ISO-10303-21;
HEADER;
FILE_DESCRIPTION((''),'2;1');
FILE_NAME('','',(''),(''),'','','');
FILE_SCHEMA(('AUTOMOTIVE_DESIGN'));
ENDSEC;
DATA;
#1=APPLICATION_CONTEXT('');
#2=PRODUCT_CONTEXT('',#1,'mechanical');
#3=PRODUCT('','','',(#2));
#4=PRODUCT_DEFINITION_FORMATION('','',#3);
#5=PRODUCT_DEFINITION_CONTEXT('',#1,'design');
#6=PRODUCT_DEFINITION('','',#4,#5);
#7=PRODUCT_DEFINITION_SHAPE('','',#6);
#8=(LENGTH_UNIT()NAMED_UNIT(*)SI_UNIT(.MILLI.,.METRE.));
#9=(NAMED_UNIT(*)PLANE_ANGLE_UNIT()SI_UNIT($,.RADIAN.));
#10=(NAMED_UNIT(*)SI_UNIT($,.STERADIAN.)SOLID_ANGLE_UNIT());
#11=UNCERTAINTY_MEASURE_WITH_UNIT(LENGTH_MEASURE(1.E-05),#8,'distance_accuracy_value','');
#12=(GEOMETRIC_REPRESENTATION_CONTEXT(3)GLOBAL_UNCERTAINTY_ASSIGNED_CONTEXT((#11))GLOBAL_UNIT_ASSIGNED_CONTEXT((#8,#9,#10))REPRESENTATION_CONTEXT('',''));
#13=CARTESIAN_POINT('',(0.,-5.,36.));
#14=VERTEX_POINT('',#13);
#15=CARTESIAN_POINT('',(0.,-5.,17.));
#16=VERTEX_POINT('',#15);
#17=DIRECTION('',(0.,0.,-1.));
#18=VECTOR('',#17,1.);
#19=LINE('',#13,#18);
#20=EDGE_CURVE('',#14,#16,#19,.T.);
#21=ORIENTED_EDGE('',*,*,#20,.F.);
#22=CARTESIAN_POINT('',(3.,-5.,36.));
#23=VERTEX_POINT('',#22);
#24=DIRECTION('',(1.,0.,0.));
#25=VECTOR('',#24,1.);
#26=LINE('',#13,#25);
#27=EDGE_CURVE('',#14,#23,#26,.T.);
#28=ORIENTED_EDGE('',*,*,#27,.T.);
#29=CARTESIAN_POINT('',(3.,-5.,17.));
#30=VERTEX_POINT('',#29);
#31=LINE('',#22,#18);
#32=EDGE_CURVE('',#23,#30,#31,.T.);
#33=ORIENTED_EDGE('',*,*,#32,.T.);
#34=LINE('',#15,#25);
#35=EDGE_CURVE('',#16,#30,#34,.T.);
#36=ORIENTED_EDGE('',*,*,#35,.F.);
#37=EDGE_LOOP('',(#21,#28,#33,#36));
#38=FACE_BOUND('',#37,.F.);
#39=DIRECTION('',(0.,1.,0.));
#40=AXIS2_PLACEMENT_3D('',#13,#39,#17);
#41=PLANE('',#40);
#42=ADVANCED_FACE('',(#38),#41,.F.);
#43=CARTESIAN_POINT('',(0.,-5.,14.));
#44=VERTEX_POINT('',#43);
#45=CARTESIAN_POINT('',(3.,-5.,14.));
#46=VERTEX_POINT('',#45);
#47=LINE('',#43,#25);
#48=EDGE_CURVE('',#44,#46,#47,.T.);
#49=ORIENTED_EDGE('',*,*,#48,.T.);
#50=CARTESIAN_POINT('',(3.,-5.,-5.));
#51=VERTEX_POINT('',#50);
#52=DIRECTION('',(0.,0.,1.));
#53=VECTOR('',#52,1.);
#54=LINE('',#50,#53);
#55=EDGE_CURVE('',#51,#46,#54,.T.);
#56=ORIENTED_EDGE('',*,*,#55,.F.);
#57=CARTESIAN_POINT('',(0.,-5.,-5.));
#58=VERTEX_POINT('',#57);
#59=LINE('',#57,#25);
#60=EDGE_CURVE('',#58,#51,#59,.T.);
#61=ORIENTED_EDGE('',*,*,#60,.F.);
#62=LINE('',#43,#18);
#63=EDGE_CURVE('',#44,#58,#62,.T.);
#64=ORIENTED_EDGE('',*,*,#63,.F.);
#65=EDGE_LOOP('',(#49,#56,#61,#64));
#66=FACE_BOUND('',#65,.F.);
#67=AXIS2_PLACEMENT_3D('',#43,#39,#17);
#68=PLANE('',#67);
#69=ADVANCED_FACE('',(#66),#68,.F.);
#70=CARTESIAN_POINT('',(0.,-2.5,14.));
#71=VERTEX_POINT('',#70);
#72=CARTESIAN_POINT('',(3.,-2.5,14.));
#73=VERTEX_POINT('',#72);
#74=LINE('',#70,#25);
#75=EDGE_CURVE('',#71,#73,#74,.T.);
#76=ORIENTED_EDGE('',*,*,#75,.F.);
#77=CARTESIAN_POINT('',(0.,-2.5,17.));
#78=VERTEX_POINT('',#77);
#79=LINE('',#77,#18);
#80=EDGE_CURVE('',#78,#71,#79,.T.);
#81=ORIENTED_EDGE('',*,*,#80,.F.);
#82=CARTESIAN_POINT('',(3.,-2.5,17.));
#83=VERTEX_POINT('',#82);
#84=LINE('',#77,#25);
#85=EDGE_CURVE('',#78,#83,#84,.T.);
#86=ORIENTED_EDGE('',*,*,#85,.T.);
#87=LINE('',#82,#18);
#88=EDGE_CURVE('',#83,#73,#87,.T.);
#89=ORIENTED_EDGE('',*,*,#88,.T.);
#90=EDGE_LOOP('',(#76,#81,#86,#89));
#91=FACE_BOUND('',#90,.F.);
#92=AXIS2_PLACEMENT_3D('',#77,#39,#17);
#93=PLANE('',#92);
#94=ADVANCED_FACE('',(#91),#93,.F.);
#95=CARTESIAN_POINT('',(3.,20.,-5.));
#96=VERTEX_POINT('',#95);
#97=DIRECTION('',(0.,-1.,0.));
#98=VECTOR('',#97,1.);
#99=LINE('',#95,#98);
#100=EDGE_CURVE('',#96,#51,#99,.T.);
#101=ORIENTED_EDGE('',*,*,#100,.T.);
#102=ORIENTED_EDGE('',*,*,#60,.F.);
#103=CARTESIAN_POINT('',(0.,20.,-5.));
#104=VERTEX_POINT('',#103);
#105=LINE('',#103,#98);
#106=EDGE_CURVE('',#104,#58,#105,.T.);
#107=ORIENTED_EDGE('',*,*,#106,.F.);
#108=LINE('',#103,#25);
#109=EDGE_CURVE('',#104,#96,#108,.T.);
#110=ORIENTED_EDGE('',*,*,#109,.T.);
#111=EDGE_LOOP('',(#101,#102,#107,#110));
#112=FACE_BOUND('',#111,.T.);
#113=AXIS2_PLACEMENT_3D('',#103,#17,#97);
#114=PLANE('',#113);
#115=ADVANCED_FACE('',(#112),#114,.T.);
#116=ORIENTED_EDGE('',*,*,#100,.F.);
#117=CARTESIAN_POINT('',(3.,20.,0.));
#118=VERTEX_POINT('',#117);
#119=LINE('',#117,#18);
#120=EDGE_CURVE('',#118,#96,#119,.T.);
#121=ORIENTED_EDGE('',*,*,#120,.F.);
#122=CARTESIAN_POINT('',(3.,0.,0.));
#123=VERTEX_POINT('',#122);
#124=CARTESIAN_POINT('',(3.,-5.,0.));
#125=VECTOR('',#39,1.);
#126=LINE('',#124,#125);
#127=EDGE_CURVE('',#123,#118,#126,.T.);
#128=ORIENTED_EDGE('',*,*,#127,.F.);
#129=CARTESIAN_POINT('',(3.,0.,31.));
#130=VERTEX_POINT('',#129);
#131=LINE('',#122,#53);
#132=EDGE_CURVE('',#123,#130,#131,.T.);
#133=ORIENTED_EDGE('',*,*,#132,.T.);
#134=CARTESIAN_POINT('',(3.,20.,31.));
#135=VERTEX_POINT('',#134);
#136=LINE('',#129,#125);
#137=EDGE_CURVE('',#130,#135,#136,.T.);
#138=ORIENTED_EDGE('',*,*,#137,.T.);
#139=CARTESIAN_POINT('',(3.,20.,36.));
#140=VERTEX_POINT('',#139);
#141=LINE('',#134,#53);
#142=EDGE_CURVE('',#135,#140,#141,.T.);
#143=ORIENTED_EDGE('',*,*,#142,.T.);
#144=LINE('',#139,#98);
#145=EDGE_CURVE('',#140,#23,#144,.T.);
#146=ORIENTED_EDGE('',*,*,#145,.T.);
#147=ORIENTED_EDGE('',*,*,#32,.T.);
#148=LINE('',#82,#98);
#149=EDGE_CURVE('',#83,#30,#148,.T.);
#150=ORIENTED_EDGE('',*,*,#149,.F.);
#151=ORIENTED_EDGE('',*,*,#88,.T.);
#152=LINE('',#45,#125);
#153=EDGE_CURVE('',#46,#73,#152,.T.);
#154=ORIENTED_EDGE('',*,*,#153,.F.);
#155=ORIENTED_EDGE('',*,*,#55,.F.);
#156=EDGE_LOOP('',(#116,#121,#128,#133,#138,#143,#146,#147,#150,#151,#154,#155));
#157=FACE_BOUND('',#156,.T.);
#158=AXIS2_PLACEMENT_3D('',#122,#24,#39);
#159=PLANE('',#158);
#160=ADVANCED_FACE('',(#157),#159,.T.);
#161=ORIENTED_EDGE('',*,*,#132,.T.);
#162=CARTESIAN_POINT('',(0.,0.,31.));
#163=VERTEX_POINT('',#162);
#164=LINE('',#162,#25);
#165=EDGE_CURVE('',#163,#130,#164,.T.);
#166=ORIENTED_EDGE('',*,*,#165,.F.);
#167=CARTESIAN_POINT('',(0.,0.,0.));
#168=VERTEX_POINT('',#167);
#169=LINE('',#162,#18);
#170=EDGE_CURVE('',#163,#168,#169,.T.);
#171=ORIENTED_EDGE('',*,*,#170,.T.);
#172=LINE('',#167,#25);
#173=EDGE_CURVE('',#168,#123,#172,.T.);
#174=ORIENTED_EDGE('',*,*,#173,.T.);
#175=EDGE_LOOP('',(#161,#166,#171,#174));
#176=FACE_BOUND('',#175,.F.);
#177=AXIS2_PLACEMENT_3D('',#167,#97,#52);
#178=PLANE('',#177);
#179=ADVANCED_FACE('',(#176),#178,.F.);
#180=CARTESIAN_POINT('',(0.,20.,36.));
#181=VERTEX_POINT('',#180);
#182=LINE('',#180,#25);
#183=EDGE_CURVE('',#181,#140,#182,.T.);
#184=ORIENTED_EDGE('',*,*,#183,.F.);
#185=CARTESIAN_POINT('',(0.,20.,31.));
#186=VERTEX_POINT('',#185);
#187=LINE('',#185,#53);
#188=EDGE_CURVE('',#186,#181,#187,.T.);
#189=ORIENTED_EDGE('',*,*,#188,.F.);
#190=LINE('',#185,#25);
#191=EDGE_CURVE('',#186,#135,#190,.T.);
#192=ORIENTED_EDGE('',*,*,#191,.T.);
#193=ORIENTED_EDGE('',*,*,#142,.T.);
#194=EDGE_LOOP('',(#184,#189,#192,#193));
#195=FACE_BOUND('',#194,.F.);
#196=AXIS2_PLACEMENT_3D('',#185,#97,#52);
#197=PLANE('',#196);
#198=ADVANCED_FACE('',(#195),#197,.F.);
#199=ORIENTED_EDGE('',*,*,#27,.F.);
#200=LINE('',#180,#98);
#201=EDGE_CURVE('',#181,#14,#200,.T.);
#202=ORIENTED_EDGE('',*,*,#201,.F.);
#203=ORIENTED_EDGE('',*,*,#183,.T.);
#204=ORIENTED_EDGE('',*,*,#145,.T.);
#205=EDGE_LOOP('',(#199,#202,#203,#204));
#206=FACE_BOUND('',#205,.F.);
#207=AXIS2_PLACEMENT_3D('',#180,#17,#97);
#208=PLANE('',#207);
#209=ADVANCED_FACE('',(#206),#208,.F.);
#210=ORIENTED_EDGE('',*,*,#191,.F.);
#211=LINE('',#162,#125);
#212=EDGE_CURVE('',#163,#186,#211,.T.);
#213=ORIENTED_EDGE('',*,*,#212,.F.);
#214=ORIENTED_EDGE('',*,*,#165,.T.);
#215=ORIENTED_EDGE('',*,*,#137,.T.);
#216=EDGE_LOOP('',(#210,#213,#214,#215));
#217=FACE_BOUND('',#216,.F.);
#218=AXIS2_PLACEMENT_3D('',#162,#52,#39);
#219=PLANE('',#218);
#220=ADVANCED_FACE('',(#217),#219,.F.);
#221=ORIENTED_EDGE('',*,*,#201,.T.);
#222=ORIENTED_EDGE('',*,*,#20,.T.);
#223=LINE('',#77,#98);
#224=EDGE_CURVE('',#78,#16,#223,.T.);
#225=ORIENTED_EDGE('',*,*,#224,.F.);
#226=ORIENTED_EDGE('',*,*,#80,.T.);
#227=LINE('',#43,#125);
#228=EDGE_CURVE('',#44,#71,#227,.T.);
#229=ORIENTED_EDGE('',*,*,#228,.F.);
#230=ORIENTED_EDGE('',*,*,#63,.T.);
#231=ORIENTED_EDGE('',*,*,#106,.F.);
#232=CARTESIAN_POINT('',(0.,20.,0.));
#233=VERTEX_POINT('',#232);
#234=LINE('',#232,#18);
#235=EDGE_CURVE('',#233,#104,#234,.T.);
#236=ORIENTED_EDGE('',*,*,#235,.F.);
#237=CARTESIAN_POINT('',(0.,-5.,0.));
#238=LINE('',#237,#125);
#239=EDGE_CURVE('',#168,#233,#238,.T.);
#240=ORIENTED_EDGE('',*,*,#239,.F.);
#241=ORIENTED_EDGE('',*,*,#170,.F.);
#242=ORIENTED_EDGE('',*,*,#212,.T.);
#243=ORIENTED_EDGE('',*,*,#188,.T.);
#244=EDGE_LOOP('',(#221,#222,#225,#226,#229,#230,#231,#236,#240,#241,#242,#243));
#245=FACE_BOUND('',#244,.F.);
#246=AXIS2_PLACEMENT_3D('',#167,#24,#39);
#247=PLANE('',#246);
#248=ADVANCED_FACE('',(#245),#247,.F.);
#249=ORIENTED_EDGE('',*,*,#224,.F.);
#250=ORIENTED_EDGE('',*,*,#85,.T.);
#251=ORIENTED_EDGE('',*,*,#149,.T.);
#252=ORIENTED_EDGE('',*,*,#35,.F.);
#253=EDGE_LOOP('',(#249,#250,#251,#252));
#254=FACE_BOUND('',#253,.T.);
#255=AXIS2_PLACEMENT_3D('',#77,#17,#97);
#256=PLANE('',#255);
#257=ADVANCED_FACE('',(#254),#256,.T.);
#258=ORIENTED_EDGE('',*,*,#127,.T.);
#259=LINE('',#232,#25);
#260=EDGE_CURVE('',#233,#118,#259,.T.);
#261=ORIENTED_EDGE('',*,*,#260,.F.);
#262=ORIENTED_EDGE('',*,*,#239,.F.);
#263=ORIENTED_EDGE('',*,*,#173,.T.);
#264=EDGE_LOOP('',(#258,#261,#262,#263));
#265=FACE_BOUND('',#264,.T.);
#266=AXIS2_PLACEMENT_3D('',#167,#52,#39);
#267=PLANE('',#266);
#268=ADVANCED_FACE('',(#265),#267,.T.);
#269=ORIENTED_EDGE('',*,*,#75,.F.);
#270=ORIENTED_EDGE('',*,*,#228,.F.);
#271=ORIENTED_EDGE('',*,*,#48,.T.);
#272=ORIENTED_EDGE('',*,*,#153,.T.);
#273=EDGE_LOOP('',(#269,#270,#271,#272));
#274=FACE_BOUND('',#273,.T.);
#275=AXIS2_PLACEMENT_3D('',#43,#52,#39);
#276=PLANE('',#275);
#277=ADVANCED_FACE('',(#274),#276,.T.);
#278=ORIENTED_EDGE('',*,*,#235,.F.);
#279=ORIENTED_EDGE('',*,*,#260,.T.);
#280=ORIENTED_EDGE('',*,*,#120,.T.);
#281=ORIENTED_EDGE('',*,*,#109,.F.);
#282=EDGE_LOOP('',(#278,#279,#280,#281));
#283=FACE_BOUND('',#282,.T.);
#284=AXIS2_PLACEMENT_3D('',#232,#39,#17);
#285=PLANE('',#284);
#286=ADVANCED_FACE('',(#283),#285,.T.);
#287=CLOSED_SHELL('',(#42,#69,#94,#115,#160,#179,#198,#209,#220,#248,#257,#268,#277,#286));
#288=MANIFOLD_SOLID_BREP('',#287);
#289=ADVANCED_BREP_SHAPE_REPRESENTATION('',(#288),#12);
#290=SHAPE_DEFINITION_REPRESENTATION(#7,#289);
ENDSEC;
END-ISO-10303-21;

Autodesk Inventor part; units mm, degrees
ref_plane "YZ Plane" through (0, 0, 0) normal (1, 0, 0) x (0, 1, 0)
ref_plane "XZ Plane" through (0, 0, 0) normal (0, 1, 0) x (-1, 0, 0)
ref_plane "XY Plane" through (0, 0, 0) normal (0, 0, 1) x (1, 0, 0)
sketch "Sketch1" plane through (0, 0, 0) normal (1, 0, 0) x (0, 1, 0)
  line L0 (0, 0) -> (0, 31)
  line L1 (0, 31) -> (20, 31)
  line L2 (20, 31) -> (20, 36)
  line L3 (20, 36) -> (-5, 36)
  line L4 (-5, 36) -> (-5, 0)
  line L5 (-5, 0) -> (20, 0)
  line L6 (20, 0) -> (20, -5)
  line L7 (20, -5) -> (-5, -5)
  line L8 (-5, -5) -> (-5, 0)
  line L9 (0, 15.5) -> (0, 17)
  line L10 (0, 17) -> (-2.5, 17)
  line L11 (-2.5, 17) -> (-2.5, 14)
  line L12 (-2.5, 14) -> (0, 14)
  line L13 (0, 14) -> (0, 17)
  line L14 (-2.5, 17) -> (-5, 17)
  line L15 (-2.5, 17) -> (-5, 17)
  line L16 (-5, 17) -> (-5, 14)
  line L17 (-5, 14) -> (-2.5, 14)
  line L18 (-2.5, 14) -> (-2.5, 17)
  dimension "d0" = 31
  dimension "d1" = 20
  dimension "d2" = 5
  dimension "d3" = 25
  dimension "d5" = 25
  dimension "d6" = 5
  dimension "d7" = 1.5
  dimension "d8" = 2.5
  dimension "d9" = 3
extrude "Extrusion1" add sketch "Sketch1" along normal blind 3 contours L5 L4 L17 L12 L0 | L5 L6 L7 L8 | L12 L11 L10 L0 | L10 L14 L4 L3 L2 L1 L0
properties part number "CONTAINERHOUDER KORT"
